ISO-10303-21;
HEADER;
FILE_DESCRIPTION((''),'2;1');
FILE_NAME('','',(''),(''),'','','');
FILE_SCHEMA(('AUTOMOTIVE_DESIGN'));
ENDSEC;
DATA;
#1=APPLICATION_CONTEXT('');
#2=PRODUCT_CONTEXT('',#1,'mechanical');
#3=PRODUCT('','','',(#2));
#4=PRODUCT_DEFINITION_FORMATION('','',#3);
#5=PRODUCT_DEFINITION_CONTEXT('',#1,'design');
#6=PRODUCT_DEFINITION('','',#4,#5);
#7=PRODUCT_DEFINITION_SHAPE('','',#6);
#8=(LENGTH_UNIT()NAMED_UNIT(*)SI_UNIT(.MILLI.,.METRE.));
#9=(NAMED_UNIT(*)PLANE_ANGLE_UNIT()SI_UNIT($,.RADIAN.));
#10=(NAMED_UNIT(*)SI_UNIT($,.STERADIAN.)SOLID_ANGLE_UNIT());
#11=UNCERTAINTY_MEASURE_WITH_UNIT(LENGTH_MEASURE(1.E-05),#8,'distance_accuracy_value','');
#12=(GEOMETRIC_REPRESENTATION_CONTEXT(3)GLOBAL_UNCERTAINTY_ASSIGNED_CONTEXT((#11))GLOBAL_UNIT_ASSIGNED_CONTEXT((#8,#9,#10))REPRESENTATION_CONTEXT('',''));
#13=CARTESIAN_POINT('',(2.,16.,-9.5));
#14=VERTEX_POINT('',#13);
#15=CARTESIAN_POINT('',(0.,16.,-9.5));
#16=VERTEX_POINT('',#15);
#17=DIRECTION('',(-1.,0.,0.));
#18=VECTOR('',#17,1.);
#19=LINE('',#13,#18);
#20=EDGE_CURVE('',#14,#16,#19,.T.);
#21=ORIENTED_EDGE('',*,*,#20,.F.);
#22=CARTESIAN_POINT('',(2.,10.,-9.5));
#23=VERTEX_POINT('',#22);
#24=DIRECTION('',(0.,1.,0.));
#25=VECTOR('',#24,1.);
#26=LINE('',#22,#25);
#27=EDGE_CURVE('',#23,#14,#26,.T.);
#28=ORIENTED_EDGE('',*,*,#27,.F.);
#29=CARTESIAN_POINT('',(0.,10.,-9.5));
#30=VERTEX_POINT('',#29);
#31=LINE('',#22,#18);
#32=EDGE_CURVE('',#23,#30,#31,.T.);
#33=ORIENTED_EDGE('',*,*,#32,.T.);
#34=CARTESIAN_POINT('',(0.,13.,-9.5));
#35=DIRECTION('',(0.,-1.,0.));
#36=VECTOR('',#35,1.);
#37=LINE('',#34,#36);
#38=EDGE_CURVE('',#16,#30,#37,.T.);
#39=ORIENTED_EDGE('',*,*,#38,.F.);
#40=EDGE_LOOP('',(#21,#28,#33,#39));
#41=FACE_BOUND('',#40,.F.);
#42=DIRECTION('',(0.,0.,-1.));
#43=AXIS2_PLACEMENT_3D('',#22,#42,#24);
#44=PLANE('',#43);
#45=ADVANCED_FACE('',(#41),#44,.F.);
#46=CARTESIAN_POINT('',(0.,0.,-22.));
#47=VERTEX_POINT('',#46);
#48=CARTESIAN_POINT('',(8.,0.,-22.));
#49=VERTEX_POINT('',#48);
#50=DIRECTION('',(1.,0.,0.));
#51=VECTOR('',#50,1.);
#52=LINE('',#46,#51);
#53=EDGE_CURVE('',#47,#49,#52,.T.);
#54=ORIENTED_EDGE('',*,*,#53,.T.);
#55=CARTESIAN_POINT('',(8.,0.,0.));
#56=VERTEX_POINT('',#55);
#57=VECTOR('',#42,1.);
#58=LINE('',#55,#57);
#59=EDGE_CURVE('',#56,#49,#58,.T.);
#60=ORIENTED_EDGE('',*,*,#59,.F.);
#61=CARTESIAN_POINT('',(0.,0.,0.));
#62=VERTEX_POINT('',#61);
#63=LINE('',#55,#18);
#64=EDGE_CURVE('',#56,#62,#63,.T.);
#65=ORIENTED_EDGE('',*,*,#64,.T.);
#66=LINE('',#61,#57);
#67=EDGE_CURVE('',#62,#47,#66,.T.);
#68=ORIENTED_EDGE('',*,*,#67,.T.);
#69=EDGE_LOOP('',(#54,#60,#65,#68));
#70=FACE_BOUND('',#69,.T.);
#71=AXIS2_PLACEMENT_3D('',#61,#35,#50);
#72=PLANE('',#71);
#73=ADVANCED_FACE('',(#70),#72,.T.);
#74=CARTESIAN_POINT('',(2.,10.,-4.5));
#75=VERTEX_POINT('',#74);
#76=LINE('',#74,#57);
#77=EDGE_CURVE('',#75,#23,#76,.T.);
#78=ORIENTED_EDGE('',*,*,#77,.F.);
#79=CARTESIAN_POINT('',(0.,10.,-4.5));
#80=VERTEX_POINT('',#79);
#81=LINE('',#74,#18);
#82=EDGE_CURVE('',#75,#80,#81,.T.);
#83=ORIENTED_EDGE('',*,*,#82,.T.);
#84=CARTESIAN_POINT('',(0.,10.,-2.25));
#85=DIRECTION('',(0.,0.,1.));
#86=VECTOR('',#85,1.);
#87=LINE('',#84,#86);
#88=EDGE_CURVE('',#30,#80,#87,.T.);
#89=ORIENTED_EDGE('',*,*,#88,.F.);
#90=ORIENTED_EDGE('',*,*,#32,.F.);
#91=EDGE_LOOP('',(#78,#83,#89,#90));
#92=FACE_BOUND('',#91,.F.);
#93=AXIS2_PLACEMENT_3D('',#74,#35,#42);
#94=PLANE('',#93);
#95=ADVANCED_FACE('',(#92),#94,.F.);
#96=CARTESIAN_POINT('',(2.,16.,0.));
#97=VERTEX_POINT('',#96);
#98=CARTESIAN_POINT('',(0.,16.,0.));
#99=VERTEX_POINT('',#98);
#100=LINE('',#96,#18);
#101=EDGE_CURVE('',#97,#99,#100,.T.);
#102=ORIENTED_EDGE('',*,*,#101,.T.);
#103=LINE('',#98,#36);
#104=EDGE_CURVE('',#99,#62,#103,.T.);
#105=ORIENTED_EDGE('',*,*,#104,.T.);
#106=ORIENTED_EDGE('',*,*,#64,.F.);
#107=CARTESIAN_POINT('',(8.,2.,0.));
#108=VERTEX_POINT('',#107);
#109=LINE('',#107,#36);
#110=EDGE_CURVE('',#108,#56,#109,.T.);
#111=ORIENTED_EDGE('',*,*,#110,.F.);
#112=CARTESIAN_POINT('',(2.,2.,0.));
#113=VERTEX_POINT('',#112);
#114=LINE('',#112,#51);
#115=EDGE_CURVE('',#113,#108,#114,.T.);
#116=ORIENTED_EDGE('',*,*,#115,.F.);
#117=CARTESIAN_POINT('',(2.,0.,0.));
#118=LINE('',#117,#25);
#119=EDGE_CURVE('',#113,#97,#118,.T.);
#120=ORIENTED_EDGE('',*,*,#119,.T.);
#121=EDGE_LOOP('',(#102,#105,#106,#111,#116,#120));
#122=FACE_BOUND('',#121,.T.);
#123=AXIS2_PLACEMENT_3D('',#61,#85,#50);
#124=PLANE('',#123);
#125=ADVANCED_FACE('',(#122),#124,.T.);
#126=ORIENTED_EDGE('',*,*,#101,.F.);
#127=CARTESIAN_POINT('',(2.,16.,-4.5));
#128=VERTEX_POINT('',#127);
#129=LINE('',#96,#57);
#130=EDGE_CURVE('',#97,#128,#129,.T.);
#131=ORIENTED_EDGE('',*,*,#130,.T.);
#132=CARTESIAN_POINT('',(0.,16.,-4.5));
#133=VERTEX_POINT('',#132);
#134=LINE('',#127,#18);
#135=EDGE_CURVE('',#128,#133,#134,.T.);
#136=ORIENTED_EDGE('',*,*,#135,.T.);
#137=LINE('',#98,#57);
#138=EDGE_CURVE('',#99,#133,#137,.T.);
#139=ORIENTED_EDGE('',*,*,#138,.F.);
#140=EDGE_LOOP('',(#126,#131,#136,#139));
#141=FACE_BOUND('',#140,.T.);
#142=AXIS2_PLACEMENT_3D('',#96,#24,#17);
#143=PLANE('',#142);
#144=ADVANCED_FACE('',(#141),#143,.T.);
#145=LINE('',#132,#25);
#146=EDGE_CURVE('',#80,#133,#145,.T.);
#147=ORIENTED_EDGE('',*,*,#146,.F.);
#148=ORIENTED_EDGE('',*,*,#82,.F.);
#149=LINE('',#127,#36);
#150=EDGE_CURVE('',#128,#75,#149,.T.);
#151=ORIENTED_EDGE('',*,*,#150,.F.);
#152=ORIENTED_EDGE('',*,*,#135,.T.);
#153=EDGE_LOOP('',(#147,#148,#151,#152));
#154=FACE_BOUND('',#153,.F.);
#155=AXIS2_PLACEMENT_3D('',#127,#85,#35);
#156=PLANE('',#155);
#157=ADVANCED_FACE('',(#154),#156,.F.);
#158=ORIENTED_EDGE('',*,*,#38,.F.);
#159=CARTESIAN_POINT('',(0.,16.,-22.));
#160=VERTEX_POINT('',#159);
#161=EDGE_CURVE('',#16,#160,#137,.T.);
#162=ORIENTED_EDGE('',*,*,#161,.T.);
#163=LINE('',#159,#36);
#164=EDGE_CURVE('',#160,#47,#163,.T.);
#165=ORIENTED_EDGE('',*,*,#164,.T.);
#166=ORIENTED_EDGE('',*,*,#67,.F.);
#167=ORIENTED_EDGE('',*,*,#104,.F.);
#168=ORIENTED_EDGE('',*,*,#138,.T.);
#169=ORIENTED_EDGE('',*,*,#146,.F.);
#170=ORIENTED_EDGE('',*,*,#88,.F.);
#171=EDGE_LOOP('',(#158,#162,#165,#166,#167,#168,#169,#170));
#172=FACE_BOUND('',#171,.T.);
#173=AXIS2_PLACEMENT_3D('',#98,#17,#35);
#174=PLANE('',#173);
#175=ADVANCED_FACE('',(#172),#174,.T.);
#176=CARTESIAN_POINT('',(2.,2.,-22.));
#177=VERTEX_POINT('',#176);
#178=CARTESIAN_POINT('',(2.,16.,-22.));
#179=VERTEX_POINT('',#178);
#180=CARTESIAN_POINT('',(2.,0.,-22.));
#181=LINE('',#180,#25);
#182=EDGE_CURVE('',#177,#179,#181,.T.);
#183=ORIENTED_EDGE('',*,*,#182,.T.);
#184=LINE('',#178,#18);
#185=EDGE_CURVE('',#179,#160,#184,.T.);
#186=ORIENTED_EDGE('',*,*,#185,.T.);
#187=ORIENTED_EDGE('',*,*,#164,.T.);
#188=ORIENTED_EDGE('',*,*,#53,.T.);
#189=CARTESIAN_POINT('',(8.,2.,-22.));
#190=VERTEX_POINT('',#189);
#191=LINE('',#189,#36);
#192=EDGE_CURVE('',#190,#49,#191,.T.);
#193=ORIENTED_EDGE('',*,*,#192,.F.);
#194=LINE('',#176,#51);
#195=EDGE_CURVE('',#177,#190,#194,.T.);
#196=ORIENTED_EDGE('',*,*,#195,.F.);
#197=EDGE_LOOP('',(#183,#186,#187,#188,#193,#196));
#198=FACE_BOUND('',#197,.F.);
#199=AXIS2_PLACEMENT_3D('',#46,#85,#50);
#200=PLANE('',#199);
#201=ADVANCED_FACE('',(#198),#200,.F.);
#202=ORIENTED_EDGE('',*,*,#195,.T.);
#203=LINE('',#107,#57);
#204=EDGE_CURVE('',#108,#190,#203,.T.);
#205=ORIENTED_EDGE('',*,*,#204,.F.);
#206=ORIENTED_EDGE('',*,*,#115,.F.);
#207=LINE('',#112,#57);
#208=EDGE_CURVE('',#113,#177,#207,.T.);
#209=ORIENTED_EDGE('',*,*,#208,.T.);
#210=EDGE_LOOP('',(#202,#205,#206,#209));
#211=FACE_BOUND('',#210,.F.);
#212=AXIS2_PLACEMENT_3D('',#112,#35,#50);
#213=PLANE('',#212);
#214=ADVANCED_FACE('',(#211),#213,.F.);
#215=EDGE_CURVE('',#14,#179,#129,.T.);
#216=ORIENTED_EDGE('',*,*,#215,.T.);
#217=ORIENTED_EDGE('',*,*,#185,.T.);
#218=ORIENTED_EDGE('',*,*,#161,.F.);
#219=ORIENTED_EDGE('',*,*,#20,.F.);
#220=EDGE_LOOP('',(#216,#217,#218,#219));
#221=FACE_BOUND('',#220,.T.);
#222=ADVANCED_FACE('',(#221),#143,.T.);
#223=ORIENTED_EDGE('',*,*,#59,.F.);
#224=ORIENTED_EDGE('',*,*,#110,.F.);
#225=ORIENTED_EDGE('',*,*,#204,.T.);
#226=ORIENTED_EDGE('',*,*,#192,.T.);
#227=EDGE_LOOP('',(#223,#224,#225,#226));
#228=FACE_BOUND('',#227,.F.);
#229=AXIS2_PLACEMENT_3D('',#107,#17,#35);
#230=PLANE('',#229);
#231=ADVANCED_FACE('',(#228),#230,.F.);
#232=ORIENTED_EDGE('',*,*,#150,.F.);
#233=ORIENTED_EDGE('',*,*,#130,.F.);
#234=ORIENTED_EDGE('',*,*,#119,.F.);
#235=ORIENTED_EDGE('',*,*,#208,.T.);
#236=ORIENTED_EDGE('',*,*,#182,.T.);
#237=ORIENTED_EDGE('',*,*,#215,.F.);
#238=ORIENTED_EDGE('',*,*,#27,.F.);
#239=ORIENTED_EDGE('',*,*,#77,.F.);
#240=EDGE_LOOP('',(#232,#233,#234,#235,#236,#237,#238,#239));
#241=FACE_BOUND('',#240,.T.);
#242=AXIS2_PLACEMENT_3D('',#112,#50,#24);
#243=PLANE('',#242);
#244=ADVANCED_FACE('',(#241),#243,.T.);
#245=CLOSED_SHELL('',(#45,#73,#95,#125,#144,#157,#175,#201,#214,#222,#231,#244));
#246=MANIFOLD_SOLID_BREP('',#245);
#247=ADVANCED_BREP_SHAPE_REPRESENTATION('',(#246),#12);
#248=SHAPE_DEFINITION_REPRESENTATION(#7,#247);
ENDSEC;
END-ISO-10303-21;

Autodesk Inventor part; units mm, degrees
ref_plane "YZ Plane" through (0, 0, 0) normal (1, 0, 0) x (0, 1, 0)
ref_plane "XZ Plane" through (0, 0, 0) normal (0, 1, 0) x (-1, 0, 0)
ref_plane "XY Plane" through (0, 0, 0) normal (0, 0, 1) x (1, 0, 0)
sketch "Sketch1" plane through (0, 0, 0) normal (0, 0, 1) x (1, 0, 0)
  line L0 (0, 0) -> (2, 0)
  line L1 (2, 0) -> (2, 16)
  line L2 (2, 16) -> (0, 16)
  line L3 (0, 16) -> (0, 0)
  line L4 (2, 2) -> (8, 2)
  line L5 (8, 2) -> (8, 0)
  line L6 (8, 0) -> (2, 0)
  line L7 (2, 0) -> (2, 2)
  dimension "d0" = 2
  dimension "d1" = 16
  dimension "d2" = 6
extrude "Extrusion1" add sketch "Sketch1" against normal blind 22
sketch "Sketch3" plane through (2, 2, 0) normal (1, 0, 0) x (0, 0, -1)
  line L0 (9.5, 14) -> (4.5, 14)
  line L1 (4.5, 14) -> (4.5, 8)
  line L2 (4.5, 8) -> (9.5, 8)
  line L3 (9.5, 8) -> (9.5, 14)
  point P0 (0, -2)
  dimension "d9" = 5
  dimension "d10" = 6
extrude "Extrusion3" cut sketch "Sketch3" against normal blind 10
properties part number "housing_mate_v05"
